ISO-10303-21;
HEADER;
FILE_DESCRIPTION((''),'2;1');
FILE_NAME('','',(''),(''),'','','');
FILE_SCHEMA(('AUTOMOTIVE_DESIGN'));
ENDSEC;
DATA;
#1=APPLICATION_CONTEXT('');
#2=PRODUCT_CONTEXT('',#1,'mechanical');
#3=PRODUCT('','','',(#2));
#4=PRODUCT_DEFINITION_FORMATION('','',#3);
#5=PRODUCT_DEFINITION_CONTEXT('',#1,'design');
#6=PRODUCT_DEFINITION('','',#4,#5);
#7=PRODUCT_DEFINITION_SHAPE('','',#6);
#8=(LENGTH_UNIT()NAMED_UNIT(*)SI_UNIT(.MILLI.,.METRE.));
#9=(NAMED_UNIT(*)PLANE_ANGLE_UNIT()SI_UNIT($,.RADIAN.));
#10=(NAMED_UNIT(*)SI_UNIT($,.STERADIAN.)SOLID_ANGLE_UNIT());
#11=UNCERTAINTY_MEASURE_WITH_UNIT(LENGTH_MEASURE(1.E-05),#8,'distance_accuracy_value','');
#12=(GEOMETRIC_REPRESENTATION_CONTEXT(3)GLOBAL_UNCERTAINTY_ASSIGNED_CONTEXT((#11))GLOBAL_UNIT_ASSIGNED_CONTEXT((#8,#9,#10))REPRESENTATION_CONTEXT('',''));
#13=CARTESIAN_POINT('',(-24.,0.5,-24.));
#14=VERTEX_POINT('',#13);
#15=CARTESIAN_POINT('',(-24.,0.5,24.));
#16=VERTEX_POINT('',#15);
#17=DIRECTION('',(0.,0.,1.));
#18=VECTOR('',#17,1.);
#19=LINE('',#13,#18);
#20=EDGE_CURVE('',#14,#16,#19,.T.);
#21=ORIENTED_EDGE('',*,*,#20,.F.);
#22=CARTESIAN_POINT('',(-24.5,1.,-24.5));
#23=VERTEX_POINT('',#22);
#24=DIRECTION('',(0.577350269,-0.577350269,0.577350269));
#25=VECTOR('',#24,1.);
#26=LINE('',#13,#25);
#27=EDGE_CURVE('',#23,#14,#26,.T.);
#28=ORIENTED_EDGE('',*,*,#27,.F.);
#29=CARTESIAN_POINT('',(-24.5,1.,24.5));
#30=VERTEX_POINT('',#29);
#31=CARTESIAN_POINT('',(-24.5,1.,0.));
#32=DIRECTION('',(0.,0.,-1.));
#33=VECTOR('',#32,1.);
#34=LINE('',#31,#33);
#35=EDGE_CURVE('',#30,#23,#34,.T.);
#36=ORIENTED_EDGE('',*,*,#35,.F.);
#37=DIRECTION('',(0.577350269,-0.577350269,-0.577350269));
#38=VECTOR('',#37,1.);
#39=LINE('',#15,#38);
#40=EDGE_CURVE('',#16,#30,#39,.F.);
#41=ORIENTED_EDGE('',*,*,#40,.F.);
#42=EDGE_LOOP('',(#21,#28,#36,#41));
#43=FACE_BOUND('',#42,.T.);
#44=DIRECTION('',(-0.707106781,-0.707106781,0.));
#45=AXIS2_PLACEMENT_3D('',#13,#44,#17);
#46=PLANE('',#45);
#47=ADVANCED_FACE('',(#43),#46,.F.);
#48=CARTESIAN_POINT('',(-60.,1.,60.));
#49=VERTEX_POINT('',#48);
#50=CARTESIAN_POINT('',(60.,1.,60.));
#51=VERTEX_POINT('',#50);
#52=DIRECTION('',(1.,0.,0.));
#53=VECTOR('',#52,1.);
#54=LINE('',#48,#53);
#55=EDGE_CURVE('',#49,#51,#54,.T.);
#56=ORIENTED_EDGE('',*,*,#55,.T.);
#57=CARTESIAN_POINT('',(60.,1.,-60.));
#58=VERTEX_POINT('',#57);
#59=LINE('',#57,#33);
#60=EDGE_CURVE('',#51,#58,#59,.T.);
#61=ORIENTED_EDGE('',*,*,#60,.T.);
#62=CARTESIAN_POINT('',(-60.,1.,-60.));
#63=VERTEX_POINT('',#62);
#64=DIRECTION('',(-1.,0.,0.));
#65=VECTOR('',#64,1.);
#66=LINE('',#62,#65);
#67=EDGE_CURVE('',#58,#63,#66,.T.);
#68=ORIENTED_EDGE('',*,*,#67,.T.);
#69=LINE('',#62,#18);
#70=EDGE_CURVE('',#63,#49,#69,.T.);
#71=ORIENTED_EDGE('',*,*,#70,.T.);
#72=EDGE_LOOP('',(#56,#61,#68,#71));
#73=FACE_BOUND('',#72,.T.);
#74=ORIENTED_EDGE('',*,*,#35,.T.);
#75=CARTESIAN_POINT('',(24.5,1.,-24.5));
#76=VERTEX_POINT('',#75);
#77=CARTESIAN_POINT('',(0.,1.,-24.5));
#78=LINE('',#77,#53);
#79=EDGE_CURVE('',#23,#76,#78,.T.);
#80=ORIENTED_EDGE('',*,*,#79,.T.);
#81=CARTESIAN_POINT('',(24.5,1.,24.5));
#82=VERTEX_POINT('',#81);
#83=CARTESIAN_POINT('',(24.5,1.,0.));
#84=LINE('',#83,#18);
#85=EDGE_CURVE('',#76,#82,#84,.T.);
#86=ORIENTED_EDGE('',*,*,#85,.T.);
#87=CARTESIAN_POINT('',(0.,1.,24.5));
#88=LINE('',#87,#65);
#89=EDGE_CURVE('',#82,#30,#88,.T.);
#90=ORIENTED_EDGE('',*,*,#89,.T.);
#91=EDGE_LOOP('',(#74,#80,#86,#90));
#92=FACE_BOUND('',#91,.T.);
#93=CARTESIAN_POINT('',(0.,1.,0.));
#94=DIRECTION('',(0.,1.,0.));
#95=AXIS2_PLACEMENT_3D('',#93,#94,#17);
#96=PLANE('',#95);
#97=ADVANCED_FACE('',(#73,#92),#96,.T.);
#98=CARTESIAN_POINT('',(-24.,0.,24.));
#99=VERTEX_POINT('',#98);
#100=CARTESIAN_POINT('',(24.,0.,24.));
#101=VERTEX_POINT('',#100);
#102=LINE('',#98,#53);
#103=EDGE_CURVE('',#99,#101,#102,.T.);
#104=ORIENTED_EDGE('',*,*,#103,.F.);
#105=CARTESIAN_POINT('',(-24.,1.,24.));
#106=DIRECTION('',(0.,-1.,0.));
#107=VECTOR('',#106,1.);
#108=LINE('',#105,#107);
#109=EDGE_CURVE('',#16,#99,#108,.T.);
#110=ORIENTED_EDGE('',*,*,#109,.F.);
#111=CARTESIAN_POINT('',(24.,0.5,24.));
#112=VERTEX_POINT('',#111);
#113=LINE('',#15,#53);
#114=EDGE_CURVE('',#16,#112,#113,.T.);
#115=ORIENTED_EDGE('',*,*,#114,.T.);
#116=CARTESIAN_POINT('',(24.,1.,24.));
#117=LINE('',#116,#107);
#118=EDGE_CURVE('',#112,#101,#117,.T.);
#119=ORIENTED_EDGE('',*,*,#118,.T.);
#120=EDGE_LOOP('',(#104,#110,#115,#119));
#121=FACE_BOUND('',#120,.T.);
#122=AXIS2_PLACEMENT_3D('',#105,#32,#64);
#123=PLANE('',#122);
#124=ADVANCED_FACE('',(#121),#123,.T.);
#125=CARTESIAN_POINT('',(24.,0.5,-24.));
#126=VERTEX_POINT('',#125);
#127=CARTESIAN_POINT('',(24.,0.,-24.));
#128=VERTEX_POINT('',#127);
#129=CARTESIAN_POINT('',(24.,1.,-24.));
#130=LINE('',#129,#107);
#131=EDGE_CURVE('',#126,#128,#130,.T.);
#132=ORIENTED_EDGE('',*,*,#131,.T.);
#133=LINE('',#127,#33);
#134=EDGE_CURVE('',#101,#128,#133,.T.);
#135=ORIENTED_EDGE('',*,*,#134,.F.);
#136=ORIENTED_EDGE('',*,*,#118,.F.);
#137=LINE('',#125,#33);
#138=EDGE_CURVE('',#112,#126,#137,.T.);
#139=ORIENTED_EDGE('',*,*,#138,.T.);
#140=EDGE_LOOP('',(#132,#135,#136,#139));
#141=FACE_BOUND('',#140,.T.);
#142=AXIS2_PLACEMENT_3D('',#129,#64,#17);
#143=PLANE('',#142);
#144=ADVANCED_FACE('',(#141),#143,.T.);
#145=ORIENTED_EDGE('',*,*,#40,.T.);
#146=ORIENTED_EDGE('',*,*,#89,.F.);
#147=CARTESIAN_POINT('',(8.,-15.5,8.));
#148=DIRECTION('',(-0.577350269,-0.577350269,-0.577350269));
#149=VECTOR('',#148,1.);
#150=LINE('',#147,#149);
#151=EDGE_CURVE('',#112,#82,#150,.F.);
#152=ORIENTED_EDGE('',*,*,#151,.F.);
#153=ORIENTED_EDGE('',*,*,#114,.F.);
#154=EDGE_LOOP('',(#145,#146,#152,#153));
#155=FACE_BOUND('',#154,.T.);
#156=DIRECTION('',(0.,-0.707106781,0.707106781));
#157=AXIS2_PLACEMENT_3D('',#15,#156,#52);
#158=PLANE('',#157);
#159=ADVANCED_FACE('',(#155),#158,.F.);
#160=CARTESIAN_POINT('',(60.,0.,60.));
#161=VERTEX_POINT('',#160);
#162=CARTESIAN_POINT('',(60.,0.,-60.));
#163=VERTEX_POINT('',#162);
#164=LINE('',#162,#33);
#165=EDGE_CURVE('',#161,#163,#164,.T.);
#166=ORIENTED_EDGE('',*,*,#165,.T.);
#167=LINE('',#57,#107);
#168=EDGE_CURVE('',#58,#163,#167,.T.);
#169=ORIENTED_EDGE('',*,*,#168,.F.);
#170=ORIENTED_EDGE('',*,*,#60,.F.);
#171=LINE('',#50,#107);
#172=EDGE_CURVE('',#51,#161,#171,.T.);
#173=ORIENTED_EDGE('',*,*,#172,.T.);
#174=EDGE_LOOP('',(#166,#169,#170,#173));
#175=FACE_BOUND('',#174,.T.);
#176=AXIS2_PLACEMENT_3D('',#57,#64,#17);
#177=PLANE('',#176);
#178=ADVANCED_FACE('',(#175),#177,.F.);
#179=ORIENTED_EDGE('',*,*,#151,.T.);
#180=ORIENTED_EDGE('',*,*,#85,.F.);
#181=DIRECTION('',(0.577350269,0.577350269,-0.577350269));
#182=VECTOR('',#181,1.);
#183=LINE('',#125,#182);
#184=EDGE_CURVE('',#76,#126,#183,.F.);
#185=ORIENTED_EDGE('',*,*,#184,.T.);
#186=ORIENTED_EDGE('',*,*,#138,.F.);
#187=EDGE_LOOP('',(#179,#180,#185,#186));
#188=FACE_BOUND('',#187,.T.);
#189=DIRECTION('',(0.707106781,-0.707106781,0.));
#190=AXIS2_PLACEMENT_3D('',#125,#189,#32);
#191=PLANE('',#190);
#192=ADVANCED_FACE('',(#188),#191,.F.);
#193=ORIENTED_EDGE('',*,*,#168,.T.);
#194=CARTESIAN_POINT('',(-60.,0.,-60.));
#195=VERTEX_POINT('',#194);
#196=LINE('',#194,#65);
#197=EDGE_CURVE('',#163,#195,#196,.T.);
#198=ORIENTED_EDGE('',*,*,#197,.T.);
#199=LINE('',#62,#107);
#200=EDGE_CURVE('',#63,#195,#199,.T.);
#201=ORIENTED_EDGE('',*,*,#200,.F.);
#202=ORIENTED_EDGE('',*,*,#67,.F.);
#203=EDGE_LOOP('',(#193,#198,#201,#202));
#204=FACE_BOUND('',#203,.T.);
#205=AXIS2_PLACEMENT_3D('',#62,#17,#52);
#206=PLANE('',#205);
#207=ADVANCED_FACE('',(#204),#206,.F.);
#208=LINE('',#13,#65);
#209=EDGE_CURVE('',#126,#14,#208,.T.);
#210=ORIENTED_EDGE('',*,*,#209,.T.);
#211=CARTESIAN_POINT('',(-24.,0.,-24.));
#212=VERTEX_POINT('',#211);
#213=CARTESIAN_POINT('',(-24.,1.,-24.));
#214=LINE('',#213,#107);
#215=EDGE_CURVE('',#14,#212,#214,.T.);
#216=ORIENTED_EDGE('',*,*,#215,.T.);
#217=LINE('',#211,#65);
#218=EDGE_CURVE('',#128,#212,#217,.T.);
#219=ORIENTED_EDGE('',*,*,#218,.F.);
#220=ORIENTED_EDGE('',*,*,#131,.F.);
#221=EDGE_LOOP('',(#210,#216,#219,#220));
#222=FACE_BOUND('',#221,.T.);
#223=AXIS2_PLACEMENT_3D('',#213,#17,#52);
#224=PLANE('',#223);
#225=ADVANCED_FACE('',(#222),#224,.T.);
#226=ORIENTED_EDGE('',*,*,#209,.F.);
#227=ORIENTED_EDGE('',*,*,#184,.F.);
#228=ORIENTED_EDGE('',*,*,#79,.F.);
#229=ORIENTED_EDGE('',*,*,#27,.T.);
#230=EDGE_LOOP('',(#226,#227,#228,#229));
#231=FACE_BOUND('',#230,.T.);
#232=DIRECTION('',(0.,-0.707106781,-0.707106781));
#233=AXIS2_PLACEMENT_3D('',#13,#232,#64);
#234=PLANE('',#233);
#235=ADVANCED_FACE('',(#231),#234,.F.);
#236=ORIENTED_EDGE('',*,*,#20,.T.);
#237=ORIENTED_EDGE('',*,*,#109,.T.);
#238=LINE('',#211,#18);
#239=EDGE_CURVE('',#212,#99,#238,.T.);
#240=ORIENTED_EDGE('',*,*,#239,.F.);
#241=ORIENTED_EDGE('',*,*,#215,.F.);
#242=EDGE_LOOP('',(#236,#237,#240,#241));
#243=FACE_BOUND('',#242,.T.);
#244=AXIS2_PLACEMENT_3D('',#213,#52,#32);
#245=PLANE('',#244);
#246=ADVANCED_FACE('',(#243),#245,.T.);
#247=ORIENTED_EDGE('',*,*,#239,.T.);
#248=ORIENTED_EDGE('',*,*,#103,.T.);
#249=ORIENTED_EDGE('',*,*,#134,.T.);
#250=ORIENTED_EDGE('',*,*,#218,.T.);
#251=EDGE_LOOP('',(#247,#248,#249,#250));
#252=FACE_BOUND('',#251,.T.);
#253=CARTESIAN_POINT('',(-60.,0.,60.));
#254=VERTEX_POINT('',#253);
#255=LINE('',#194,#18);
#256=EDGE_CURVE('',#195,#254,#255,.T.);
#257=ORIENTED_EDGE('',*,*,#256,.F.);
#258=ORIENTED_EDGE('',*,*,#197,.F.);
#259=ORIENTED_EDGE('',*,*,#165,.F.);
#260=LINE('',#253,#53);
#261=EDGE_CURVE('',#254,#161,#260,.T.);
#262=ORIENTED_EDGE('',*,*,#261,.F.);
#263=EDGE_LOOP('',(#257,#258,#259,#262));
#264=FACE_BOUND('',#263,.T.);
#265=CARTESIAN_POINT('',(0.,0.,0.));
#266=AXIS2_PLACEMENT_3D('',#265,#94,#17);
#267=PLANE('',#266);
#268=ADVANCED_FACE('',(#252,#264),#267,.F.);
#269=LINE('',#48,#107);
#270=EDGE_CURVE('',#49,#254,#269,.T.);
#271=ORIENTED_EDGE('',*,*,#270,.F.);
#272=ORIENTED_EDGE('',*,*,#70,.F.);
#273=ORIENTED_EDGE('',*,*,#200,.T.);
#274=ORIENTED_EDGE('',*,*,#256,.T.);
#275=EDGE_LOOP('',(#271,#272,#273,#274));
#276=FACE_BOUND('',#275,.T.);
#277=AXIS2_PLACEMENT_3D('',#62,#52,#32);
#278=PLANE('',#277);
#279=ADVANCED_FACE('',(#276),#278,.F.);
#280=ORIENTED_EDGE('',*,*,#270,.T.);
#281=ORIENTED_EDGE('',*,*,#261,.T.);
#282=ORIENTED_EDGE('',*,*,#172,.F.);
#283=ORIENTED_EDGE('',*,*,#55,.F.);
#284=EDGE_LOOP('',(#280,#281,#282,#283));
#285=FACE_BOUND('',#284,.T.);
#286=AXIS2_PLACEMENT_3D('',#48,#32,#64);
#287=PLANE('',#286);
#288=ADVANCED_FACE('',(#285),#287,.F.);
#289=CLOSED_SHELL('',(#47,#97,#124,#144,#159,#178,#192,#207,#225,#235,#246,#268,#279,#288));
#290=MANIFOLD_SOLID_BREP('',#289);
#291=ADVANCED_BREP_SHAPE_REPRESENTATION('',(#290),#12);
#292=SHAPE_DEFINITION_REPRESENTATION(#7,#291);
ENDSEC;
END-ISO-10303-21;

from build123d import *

# Parameters (mm, degrees)
SKETCH1_W           = 120
SKETCH1_H           = 120
SKETCH1_W_2         = 48
SKETCH1_H_2         = 48
BOSS_EXTRUDE1_DEPTH = 1
CHAMFER1_SIZE       = 0.5


with BuildPart() as part:
    # Sketch1 → Boss-Extrude1 (new body)
    with BuildSketch(Plane(origin=(0, 0, 0), x_dir=(1, 0, 0), z_dir=(0, 1, 0))):
        Rectangle(SKETCH1_W, SKETCH1_H)
        Rectangle(SKETCH1_W_2, SKETCH1_H_2, mode=Mode.SUBTRACT)
    extrude(amount=BOSS_EXTRUDE1_DEPTH)

    # Chamfer1
    chamfer1_edges = [part.edges().sort_by_distance(p)[0] for p in [
        (24, 1, 0),
        (0, 1, -24),
        (-24, 1, 0),
        (0, 1, 24),
    ]]
    chamfer(chamfer1_edges, length=CHAMFER1_SIZE)


solid = part.part
